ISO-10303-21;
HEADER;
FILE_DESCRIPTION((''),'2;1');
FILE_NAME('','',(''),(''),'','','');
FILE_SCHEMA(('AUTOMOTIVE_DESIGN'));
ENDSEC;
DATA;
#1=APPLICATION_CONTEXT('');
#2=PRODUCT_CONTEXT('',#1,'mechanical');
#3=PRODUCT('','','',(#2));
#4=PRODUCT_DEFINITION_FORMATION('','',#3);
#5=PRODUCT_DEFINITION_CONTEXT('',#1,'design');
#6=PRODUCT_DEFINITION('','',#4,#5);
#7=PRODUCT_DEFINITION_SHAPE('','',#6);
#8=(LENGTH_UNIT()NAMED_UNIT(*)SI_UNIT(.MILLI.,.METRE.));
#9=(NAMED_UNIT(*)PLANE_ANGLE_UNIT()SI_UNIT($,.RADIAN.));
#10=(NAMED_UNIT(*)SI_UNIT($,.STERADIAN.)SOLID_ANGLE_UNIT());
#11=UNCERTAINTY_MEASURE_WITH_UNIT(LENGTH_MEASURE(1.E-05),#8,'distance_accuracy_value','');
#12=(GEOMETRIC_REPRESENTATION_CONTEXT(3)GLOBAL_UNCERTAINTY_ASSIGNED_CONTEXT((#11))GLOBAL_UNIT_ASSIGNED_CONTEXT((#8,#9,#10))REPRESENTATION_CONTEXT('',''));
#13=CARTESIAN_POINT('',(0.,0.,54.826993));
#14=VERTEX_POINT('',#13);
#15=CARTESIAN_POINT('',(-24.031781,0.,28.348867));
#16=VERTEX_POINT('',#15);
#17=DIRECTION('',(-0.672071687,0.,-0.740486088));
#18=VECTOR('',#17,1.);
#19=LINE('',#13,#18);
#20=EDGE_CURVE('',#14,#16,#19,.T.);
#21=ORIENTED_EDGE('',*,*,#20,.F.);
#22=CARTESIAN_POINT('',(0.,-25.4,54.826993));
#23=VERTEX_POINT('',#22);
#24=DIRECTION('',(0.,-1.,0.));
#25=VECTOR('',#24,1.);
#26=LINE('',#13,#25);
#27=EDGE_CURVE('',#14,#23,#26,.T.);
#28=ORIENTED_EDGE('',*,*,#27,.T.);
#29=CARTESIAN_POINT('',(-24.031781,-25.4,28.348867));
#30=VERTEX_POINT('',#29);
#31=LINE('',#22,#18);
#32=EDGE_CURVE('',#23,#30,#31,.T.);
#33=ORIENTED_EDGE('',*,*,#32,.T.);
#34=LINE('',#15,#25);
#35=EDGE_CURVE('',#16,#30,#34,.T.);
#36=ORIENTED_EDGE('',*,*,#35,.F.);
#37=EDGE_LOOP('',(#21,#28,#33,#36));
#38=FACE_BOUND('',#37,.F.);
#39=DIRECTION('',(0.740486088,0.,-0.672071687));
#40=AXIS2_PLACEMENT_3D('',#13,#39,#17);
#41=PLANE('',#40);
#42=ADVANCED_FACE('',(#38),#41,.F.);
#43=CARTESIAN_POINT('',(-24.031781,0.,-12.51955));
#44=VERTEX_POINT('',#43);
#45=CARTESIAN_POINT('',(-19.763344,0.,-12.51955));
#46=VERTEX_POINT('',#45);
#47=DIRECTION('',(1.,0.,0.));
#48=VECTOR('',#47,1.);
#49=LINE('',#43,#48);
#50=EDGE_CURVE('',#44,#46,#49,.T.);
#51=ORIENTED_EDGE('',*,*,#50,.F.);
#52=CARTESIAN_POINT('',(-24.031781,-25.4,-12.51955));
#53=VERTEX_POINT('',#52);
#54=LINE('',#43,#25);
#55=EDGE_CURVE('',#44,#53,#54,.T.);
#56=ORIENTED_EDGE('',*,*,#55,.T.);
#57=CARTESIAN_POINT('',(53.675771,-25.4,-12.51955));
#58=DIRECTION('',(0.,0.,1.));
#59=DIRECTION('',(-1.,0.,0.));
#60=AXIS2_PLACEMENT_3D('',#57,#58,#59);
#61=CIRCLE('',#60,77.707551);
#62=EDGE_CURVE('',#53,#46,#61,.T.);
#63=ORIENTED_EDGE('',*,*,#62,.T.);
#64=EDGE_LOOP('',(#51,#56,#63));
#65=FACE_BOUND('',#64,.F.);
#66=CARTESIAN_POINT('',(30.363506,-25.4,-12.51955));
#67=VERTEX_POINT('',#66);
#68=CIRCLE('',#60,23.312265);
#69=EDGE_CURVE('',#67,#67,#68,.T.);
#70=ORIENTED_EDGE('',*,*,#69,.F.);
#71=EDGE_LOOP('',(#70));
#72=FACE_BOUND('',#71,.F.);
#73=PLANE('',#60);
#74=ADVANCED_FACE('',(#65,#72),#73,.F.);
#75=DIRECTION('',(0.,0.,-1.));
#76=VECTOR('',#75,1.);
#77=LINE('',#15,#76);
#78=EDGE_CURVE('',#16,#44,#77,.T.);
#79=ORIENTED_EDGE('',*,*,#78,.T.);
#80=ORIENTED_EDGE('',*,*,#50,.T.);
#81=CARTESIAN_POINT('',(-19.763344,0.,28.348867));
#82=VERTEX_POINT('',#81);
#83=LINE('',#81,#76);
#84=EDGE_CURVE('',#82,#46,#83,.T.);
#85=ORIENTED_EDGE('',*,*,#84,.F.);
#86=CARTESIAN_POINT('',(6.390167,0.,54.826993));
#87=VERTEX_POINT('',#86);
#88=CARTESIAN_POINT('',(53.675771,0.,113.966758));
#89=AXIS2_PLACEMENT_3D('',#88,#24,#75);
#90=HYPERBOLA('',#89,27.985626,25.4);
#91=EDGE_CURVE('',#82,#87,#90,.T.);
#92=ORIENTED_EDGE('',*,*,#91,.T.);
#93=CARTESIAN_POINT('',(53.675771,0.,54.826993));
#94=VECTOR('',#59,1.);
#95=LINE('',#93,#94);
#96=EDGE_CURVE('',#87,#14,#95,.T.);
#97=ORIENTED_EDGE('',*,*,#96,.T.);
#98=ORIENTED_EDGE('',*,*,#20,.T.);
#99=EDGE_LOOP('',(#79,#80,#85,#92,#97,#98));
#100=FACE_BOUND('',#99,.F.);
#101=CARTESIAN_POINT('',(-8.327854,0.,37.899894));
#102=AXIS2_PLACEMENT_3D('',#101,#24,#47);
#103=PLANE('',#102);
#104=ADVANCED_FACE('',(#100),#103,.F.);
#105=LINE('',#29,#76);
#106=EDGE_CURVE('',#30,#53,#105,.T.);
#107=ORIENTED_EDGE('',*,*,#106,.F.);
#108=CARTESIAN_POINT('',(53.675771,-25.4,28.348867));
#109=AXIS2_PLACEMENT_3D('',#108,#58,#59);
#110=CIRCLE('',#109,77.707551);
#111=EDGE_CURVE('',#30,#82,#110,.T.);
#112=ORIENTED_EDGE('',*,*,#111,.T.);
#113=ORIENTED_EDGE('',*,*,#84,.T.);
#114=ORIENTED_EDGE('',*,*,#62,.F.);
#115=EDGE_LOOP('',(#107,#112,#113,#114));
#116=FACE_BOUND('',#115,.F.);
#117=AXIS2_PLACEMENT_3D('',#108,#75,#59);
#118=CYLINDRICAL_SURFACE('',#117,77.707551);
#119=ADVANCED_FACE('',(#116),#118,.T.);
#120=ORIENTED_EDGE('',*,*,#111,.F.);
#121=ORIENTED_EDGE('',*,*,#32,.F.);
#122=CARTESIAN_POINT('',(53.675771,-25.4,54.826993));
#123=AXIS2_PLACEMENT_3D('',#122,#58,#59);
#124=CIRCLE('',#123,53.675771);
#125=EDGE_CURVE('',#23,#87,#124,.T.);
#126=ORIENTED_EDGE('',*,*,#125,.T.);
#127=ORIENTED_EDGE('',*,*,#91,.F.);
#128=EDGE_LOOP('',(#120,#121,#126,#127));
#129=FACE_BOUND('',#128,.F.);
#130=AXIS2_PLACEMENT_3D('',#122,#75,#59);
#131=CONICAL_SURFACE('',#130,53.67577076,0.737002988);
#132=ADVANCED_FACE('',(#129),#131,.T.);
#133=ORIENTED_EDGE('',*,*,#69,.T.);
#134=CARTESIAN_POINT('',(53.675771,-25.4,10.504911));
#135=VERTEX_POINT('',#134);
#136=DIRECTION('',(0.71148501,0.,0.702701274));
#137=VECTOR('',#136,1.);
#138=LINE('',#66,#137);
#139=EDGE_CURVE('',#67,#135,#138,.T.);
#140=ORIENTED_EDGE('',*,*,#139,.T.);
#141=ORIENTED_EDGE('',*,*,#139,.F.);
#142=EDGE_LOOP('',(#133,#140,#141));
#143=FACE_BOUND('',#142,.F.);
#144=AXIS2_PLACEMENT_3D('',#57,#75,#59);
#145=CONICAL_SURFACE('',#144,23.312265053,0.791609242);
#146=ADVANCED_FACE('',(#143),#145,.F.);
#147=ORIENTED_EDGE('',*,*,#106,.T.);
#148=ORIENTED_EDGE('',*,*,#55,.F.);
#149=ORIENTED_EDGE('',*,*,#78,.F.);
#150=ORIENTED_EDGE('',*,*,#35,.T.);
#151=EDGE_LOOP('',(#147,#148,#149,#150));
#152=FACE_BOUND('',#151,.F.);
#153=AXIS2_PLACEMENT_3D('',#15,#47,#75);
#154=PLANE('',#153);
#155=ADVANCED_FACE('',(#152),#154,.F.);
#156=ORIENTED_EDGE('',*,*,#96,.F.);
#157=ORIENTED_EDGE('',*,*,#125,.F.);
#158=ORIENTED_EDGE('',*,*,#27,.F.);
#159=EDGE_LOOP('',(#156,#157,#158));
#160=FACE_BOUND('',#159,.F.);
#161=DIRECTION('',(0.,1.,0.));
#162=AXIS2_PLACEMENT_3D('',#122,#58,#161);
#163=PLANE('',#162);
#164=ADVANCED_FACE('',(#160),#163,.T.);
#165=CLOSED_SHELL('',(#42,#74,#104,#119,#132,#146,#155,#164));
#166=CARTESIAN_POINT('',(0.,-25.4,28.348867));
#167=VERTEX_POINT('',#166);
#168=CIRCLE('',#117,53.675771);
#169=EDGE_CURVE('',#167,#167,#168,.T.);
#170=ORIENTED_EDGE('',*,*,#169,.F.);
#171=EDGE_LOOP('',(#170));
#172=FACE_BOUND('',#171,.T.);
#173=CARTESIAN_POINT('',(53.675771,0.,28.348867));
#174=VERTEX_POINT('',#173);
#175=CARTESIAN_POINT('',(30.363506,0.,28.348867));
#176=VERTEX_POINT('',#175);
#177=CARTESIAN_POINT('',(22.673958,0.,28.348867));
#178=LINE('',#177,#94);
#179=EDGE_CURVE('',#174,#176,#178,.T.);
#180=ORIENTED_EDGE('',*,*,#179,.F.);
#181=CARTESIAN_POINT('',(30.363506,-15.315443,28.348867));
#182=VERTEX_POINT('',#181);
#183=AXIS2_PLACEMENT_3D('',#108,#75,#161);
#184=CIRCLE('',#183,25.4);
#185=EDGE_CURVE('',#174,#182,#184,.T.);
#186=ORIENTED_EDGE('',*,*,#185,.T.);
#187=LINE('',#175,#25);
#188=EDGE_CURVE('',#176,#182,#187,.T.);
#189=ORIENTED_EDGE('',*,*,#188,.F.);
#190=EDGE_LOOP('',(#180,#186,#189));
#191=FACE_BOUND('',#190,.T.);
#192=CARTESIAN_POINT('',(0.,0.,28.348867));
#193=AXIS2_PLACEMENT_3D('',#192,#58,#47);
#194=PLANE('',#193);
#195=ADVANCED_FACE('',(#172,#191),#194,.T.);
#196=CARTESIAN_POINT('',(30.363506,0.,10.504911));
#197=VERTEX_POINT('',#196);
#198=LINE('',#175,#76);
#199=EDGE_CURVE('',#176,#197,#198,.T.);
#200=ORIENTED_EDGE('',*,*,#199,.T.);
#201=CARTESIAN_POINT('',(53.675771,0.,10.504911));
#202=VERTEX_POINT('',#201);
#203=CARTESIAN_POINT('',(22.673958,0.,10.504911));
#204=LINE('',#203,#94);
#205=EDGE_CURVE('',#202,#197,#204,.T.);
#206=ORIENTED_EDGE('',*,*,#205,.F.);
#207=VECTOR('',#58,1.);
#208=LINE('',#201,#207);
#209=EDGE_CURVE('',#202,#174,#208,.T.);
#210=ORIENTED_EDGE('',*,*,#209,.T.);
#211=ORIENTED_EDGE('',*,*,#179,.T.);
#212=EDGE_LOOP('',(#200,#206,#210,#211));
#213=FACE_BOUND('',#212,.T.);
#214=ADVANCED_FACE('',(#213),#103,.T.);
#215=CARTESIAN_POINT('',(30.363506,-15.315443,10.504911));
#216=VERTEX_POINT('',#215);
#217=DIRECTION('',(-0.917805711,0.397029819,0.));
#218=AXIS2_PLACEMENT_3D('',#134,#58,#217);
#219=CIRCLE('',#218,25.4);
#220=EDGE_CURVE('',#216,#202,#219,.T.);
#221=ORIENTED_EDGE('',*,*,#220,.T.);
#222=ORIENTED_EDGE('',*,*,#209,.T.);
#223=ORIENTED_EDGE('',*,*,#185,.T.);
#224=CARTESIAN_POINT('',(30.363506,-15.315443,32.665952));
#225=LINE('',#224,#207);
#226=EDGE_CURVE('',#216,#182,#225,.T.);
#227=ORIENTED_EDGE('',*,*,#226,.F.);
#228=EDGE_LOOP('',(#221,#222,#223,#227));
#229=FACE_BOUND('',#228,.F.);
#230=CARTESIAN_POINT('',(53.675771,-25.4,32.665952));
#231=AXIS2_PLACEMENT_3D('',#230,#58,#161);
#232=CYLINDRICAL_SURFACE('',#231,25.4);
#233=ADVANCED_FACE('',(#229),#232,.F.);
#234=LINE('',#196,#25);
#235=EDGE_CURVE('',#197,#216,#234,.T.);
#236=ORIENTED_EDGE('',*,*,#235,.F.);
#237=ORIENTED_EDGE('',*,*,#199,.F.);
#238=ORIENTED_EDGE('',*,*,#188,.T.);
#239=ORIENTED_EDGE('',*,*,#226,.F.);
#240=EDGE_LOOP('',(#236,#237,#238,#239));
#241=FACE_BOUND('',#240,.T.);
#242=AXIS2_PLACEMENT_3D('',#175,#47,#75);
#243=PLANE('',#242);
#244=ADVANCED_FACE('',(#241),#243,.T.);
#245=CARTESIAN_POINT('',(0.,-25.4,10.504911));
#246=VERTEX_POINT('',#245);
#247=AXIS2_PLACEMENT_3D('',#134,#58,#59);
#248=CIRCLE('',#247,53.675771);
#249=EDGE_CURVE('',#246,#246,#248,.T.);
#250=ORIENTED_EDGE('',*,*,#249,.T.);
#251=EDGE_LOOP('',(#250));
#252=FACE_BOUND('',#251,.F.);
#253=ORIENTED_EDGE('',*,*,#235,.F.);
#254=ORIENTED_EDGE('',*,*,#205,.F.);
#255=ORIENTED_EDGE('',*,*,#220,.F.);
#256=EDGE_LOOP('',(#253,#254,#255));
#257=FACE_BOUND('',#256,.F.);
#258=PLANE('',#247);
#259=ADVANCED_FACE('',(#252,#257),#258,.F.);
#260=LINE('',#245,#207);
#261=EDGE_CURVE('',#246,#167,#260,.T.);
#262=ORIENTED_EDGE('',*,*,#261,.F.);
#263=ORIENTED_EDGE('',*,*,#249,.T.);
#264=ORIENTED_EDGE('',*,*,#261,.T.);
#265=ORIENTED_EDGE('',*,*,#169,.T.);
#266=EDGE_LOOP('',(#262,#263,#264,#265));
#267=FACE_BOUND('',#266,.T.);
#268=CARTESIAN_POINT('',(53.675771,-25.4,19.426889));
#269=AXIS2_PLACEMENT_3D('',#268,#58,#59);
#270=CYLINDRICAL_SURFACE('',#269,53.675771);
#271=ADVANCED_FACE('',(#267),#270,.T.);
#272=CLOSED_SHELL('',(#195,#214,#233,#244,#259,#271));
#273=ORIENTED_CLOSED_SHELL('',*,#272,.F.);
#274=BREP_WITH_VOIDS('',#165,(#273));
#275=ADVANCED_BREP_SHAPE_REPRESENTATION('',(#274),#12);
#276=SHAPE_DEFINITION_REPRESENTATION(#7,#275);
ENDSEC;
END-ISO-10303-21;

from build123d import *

# Parameters (mm, degrees)
F1_DEPTH   = 25.4
F1_FACE_W  = 25.4
F1_FACE_H  = 44.3220827729
F1_FACE1_W = 30.3635057062
F1_FACE1_H = 17.8439561278


with BuildPart() as f1:
    # F0 (on Front) → F1 (new body)
    with BuildSketch(Plane.XZ):
        Polygon((0, 54.8269934952), (-24.0317806602, 28.3488668501), (0, 28.3488668501), align=None)
        Polygon((0, 28.3488668501), (-24.0317806602, 28.3488668501), (-24.0317806602, -12.5195495784), (0, 10.5049107224), align=None)
        Polygon((0, 54.8269934952), (0, 28.3488668501), (30.3635057062, 28.3488668501), (53.6757707596, 54.8269934952), align=None)
        Polygon((0, 10.5049107224), (-24.0317806602, -12.5195495784), (30.3635057062, -12.5195495784), (30.3635057062, 10.5049107224), align=None)
        Polygon((53.6757707596, 54.8269934952), (30.3635057062, 28.3488668501), (30.3635057062, 10.5049107224), (53.6757707596, 10.5049107224), align=None)
        Polygon((30.3635057062, 10.5049107224), (30.3635057062, -12.5195495784), (53.6757707596, 10.5049107224), align=None)
    extrude(amount=F1_DEPTH)

    # F1_face (on face) + F1_face1 (on face) → F2 (revolve)
    with BuildSketch(Plane(origin=(53.6757707596, -12.7, 32.6659521088), x_dir=(0, 1, 0), z_dir=(1, 0, 0))):
        Rectangle(F1_FACE_W, F1_FACE_H)
    with BuildSketch(Plane(origin=(15.1328731022, -25.4, 21.1555782678), x_dir=(1, 0, 0), z_dir=(0, -1, 0))):
        Polygon((-39.1646537623, -33.6751278462), (15.230632604, -33.6751278462), (38.5428976574, -10.6506675454), (38.5428976574, 33.6714152274), (-15.1328731022, 33.6714152274), (-39.1646537623, 7.1932885823), align=None)
        with Locations((0.0488797509, -1.7286894816)):
            Rectangle(F1_FACE1_W, F1_FACE1_H, mode=Mode.SUBTRACT)
    revolve(axis=Axis((53.6757707596, -25.4, 32.6659521088), (0, 0, 1)))


solid = f1.part
